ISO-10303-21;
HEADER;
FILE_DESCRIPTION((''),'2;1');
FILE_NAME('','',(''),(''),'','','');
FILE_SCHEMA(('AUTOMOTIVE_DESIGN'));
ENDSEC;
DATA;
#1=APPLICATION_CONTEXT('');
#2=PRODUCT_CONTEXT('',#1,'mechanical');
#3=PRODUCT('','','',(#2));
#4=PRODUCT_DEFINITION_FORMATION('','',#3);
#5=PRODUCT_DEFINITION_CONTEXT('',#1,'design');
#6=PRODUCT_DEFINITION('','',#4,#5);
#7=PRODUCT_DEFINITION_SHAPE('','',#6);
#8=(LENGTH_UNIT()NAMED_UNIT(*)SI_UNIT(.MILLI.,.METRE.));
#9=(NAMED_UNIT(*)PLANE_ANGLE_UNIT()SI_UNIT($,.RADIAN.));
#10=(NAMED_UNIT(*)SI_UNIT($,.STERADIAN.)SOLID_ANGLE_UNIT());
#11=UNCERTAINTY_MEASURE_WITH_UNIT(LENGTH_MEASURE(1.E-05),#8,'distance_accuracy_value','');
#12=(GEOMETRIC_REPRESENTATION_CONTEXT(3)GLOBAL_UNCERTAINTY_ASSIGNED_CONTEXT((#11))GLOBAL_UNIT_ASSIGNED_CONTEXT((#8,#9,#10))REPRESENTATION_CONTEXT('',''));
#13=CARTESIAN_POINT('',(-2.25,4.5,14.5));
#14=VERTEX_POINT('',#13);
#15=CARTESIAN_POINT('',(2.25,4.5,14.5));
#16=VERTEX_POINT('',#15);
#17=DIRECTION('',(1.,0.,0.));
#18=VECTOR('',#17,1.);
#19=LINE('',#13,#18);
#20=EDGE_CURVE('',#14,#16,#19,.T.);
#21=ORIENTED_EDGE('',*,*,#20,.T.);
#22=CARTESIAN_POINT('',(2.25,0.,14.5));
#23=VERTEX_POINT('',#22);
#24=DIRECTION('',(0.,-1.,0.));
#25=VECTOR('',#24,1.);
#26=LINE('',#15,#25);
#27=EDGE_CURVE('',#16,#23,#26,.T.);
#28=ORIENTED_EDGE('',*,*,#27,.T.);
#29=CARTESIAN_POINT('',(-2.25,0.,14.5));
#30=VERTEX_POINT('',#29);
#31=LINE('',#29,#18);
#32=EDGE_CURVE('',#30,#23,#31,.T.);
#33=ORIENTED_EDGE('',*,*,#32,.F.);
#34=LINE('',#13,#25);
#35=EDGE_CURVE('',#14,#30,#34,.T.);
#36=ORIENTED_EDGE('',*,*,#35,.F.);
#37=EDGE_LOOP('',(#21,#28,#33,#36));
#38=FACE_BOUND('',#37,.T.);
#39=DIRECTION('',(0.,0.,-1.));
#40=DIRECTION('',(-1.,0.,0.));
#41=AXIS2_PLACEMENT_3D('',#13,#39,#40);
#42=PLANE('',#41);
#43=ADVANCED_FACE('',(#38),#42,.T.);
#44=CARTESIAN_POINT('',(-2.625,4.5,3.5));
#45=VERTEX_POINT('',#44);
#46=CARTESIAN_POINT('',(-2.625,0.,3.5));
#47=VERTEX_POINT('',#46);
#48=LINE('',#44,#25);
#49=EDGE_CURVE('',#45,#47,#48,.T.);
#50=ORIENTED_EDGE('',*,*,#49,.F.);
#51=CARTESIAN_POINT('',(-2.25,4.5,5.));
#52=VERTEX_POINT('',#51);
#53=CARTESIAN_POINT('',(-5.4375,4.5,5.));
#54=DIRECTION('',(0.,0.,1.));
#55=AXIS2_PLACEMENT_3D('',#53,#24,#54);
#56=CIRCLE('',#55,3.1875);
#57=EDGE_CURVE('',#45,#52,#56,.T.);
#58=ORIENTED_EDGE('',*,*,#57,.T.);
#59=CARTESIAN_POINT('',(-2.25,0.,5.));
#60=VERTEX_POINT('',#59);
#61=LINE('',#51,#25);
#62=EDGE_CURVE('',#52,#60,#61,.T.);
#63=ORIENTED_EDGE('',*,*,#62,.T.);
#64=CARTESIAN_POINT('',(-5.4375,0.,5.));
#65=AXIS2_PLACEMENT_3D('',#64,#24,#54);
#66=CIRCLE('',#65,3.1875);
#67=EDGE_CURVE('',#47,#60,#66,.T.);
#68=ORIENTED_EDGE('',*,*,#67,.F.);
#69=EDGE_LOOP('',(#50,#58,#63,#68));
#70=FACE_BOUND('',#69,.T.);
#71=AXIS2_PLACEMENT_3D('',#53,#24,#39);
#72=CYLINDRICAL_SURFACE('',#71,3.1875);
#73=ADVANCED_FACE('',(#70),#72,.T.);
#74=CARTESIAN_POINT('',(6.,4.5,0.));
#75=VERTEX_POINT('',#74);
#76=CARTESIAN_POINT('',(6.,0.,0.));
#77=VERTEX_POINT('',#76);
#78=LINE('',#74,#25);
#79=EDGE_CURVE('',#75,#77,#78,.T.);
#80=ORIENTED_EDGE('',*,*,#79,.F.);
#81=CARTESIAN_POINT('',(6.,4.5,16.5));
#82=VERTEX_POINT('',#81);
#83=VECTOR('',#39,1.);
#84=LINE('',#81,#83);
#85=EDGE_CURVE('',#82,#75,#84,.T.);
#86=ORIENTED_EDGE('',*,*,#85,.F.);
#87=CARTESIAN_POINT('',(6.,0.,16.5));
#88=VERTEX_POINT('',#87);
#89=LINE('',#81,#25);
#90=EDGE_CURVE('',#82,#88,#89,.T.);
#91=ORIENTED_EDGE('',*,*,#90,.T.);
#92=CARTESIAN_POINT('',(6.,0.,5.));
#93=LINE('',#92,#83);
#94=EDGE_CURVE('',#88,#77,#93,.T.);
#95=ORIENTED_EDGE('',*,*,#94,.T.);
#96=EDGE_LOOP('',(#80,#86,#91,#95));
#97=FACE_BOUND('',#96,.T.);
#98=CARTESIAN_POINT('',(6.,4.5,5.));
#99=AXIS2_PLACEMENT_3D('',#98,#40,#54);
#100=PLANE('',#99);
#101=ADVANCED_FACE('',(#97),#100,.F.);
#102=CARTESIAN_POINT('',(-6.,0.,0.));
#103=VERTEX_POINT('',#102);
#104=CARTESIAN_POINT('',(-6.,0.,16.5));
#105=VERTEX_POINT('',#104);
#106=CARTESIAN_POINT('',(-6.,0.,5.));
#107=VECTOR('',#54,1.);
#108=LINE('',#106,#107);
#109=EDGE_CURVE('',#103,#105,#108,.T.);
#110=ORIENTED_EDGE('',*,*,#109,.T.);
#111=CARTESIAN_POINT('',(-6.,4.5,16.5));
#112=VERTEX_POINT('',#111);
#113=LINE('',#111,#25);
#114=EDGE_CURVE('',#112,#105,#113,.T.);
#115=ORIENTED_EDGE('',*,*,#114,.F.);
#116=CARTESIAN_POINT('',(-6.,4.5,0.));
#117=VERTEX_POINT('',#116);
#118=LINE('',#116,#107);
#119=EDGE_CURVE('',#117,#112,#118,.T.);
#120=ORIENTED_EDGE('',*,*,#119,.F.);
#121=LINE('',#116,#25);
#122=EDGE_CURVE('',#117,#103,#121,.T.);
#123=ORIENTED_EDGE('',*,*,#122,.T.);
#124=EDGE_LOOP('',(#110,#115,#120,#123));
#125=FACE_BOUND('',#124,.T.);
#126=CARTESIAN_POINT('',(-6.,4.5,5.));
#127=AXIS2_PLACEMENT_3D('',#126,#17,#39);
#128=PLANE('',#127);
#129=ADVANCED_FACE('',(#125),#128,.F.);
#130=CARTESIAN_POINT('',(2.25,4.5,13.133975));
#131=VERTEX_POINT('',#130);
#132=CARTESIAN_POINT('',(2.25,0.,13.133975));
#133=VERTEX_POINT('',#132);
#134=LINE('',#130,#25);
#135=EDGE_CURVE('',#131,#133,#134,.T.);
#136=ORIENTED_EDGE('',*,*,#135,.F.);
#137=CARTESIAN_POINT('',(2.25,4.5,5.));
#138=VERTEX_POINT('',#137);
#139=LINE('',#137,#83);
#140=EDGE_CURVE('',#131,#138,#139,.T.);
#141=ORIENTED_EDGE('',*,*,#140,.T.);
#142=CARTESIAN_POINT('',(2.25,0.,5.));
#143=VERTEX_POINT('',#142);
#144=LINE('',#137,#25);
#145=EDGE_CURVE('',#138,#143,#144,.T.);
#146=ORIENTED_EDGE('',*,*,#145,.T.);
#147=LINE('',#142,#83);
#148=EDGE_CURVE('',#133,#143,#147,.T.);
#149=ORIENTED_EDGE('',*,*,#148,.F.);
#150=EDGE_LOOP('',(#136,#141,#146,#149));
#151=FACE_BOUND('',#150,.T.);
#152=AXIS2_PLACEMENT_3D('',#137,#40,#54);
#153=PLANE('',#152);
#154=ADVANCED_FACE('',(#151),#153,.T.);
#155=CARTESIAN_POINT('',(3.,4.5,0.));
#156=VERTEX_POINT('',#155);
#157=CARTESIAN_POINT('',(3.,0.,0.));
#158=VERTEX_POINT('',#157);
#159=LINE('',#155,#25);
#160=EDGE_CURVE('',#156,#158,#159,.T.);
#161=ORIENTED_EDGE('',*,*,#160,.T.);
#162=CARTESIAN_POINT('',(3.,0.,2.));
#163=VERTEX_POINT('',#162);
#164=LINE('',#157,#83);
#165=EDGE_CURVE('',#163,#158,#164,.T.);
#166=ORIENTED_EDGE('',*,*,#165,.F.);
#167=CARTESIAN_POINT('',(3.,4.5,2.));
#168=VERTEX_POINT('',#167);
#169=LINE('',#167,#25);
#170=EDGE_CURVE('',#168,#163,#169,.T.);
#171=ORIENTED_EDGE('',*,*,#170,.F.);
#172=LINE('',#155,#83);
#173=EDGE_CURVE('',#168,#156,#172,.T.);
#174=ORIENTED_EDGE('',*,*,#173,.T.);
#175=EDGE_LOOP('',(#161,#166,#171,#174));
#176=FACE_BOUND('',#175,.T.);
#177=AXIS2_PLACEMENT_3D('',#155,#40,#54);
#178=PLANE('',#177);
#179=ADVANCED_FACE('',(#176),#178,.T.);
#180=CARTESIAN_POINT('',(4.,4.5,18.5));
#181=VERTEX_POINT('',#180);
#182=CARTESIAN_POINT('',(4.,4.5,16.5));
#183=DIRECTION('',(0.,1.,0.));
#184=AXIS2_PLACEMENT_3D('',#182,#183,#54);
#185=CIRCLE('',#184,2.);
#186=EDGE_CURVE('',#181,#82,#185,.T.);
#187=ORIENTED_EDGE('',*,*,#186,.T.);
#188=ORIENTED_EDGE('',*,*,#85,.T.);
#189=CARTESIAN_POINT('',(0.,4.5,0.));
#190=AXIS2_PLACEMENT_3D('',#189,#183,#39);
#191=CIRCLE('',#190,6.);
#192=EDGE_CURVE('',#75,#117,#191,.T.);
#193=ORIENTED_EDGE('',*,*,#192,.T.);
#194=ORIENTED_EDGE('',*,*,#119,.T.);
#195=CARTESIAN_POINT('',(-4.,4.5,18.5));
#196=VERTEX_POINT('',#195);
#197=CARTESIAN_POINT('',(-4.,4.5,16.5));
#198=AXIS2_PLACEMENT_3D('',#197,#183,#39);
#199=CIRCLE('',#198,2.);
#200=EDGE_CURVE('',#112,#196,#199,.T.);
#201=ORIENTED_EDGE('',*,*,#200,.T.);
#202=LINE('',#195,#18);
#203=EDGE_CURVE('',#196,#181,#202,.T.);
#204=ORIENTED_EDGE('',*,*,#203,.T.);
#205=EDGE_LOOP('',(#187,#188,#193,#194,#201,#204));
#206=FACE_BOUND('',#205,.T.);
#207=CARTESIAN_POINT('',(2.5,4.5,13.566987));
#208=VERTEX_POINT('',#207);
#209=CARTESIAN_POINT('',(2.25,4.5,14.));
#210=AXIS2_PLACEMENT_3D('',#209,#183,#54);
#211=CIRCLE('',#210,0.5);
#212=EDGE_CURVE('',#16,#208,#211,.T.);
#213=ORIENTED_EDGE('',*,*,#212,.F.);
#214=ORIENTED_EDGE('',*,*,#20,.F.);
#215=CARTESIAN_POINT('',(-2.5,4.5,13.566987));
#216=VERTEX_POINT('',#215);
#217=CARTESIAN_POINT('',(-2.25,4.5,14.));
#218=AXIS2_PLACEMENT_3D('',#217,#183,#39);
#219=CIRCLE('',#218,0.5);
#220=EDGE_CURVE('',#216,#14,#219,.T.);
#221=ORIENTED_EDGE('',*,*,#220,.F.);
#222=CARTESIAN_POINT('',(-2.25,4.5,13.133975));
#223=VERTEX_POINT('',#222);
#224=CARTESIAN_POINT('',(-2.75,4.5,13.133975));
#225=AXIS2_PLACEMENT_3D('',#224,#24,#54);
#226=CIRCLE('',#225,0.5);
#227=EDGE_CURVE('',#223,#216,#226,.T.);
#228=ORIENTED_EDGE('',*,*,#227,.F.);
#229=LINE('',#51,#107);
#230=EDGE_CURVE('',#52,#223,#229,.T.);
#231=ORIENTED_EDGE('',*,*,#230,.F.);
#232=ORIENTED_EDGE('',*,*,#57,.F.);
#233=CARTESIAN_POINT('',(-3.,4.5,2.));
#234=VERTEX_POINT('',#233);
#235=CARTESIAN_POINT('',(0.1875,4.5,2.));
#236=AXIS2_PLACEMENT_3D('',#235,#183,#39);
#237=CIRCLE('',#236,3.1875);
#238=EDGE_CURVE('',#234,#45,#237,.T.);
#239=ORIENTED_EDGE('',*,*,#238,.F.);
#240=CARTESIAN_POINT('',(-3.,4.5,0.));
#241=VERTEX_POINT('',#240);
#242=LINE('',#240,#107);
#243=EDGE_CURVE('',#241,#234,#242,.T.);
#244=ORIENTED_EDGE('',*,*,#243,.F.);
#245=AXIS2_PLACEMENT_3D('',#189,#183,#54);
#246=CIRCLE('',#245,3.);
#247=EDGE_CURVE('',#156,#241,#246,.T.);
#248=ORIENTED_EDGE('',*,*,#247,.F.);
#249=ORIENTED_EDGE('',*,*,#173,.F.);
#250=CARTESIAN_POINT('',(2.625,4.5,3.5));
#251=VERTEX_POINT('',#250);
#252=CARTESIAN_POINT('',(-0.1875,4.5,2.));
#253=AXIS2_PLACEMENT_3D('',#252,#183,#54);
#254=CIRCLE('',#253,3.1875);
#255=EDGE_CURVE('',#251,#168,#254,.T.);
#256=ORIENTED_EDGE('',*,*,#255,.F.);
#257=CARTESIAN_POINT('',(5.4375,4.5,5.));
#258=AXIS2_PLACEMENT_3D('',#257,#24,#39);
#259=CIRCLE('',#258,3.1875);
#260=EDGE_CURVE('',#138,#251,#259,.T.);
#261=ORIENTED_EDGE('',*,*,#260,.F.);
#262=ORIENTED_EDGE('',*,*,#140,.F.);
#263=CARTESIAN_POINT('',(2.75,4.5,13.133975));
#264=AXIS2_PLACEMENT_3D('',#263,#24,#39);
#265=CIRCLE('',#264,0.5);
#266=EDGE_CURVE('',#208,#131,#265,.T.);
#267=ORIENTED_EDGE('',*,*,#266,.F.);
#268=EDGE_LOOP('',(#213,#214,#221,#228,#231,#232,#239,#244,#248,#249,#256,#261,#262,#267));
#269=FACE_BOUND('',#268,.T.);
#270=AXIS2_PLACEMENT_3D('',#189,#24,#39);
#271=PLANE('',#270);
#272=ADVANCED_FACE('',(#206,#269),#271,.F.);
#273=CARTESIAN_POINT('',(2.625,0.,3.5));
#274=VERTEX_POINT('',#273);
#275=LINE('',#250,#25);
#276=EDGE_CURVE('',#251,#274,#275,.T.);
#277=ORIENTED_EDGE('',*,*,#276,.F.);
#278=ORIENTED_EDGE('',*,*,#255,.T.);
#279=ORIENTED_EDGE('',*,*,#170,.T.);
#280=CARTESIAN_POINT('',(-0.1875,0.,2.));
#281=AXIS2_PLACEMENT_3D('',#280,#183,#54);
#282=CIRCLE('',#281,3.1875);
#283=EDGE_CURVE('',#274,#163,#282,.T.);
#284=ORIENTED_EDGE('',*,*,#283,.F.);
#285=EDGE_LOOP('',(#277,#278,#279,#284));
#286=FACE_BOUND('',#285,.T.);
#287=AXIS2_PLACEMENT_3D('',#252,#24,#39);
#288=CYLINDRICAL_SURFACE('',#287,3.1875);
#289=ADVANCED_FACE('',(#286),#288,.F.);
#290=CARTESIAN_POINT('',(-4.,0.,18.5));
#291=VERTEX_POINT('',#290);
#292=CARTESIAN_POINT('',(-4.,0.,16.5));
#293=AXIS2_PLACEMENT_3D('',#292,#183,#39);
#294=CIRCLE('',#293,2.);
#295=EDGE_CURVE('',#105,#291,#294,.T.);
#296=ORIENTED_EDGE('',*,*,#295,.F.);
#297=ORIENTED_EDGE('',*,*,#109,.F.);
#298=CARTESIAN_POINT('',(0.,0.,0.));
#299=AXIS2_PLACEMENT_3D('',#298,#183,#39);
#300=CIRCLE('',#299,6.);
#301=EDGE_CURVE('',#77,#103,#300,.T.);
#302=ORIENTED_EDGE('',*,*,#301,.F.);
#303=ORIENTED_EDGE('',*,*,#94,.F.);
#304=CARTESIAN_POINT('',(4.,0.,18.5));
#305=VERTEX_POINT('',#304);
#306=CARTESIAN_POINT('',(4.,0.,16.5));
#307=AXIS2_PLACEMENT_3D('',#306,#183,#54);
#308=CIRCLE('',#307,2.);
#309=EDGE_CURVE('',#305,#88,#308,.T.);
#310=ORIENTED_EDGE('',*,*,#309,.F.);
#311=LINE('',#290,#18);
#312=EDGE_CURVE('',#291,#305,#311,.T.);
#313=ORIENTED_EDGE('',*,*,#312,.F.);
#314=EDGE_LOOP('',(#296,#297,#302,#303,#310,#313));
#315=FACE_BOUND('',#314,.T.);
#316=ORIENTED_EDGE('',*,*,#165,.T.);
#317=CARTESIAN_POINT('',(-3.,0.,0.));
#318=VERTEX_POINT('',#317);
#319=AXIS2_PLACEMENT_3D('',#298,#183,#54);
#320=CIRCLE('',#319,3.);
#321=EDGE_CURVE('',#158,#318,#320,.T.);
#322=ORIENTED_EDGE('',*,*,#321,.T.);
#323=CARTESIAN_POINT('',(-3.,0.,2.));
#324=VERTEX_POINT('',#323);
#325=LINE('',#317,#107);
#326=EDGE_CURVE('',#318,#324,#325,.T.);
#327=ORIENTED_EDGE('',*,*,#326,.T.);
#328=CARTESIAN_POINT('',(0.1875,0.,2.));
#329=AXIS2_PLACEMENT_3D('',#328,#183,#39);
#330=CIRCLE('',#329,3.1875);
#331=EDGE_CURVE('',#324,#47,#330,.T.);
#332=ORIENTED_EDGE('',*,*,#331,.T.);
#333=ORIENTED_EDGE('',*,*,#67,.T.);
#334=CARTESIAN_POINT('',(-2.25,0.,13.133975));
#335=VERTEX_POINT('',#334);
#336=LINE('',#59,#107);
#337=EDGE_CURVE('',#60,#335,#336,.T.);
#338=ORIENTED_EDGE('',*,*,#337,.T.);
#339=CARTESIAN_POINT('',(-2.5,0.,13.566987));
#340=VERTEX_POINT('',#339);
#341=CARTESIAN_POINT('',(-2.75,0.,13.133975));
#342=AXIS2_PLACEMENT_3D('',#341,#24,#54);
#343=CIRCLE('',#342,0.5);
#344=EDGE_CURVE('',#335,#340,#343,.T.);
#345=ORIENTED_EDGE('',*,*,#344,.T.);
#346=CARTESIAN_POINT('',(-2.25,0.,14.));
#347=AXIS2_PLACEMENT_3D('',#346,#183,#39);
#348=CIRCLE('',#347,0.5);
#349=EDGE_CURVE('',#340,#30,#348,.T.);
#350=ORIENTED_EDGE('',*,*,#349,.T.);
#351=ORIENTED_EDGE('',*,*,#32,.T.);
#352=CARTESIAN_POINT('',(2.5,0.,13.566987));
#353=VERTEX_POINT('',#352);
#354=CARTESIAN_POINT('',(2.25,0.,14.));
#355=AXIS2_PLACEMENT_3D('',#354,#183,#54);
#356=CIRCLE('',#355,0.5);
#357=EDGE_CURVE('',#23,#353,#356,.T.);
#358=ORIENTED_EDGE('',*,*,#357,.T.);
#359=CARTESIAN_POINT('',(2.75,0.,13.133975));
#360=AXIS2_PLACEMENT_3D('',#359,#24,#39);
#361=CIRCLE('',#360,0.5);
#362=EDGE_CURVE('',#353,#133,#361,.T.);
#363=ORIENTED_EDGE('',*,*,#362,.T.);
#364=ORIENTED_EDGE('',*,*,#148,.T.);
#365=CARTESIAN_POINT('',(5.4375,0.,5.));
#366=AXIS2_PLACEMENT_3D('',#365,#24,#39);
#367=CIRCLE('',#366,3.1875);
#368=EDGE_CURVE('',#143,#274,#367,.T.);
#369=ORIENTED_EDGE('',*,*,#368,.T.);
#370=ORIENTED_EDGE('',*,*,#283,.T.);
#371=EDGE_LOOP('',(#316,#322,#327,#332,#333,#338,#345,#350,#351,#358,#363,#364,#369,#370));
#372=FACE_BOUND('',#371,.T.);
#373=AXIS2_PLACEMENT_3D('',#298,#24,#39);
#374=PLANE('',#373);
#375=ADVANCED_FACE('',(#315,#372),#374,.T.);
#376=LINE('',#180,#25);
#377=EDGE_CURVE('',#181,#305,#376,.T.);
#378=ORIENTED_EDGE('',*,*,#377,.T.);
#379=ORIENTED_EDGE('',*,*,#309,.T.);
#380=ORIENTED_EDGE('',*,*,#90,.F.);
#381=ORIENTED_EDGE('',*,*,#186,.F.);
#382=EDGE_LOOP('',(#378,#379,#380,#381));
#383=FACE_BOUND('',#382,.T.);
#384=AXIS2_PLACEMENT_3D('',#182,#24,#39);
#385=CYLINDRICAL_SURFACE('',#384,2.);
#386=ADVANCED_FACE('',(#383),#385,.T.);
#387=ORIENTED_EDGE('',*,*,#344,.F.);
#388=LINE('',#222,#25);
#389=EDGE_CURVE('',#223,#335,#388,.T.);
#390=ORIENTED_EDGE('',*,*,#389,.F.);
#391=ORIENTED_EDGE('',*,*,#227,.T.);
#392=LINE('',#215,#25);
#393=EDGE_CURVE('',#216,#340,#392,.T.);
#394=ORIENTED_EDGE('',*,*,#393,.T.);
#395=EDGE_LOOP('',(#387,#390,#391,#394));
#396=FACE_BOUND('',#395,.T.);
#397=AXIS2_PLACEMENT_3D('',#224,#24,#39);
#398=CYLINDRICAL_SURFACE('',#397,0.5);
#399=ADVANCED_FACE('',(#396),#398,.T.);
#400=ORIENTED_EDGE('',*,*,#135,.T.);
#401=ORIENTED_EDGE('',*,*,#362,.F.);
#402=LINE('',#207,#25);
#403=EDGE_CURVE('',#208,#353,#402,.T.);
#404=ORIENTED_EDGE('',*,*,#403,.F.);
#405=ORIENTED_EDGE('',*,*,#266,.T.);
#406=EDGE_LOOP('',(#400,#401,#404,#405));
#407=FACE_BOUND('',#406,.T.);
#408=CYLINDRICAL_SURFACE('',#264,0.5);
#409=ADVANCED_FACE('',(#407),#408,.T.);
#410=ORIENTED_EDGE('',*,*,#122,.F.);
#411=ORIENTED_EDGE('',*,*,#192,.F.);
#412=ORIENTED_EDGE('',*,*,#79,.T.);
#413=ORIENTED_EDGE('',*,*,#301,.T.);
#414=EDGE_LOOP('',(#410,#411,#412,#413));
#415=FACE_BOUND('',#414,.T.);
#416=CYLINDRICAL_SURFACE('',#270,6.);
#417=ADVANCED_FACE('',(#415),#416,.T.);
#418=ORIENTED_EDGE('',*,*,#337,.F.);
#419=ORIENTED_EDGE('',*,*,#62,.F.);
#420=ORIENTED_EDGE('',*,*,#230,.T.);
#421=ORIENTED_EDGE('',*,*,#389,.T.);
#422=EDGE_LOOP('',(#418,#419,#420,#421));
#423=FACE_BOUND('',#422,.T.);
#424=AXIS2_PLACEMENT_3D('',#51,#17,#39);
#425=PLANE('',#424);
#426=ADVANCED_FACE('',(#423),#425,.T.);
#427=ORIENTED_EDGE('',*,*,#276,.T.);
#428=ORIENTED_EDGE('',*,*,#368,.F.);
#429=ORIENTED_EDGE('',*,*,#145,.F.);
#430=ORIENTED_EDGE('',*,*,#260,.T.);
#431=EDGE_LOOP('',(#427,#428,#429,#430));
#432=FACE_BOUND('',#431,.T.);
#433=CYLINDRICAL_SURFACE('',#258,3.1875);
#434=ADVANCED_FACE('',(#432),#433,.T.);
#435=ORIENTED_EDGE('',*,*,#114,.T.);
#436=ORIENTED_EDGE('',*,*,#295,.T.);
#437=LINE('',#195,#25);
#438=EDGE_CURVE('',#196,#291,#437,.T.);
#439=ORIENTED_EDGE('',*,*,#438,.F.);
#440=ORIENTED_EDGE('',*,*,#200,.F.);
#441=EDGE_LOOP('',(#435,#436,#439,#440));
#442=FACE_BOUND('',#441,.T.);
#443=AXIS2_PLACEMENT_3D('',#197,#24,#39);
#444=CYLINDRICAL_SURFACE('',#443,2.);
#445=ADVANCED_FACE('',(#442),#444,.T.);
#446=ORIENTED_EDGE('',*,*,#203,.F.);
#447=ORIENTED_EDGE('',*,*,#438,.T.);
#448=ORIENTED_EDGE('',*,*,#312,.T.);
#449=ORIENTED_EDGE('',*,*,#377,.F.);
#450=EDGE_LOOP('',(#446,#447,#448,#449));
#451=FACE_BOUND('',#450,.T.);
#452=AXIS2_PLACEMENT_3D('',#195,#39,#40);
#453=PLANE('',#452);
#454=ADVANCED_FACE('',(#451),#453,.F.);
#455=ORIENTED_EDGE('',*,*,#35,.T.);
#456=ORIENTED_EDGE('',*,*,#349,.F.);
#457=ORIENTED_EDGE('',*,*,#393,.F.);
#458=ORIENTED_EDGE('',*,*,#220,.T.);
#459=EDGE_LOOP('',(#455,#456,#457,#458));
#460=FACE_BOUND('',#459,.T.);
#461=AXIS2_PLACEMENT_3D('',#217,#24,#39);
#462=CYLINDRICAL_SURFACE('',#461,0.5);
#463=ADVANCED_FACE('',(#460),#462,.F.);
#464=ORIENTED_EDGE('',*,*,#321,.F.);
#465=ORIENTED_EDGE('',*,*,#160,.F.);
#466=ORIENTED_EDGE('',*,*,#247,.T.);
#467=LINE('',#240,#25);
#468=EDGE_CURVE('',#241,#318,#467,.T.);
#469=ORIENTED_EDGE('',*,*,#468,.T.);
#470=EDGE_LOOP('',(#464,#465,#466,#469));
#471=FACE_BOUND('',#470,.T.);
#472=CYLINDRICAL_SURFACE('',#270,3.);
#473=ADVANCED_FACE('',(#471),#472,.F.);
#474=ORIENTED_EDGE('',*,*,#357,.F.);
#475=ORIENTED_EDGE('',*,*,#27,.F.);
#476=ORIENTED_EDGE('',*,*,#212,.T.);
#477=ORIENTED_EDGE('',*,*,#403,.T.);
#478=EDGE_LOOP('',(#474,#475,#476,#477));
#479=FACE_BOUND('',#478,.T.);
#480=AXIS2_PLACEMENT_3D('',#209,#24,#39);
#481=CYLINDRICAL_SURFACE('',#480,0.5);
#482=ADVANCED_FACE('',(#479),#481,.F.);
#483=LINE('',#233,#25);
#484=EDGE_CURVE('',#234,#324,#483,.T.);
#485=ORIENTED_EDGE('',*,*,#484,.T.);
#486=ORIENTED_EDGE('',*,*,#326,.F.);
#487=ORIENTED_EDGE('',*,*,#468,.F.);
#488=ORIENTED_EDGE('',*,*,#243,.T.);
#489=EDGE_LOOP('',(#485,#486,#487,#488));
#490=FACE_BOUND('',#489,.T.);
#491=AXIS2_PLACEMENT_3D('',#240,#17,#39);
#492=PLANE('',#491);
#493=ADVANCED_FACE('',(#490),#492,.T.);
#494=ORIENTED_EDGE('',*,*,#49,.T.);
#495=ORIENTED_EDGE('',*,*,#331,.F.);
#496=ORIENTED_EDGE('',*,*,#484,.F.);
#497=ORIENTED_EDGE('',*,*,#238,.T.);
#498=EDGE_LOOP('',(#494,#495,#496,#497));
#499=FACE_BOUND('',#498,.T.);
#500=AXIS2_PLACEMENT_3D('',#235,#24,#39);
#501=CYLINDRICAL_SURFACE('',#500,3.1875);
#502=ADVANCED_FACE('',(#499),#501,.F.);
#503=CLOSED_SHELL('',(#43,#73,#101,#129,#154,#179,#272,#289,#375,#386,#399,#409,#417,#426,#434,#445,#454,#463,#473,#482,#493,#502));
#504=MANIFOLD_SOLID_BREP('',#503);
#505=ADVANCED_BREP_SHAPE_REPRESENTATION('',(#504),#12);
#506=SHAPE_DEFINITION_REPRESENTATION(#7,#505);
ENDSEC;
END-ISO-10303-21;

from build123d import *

# Parameters (mm, degrees)
BOSS_EXTRUDE1_DEPTH = 4.5


with BuildPart() as part:
    # Sketch1 → Boss-Extrude1 (new body)
    with BuildSketch(Plane(origin=(0, 0, 0), x_dir=(1, 0, 0), z_dir=(0, 1, 0))):
        with BuildLine():
            Line((-6, 0), (-6, -5))
            Line((-6, -5), (-6, -16.5))
            ThreePointArc((-6, -16.5), (-5.414213562, -17.914213562), (-4, -18.5))
            Line((-4, -18.5), (4, -18.5))
            ThreePointArc((4, -18.5), (5.414213562, -17.914213562), (6, -16.5))
            Line((6, -16.5), (6, -5))
            Line((6, -5), (6, 0))
            ThreePointArc((6, 0), (0, 6), (-6, 0))
        make_face()
        with BuildLine():
            Line((3, 0), (3, -2))
            ThreePointArc((3, -2), (2.904829219, -2.773082305), (2.625, -3.5))
            ThreePointArc((2.625, -3.5), (2.345170781, -4.226917695), (2.25, -5))
            Line((2.25, -5), (2.25, -13.133974596))
            ThreePointArc((2.25, -13.133974596), (2.316987298, -13.383974596), (2.5, -13.566987298))
            ThreePointArc((2.5, -13.566987298), (2.732962913, -14.129409523), (2.25, -14.5))
            Line((2.25, -14.5), (-2.25, -14.5))
            ThreePointArc((-2.25, -14.5), (-2.732962913, -14.129409523), (-2.5, -13.566987298))
            ThreePointArc((-2.5, -13.566987298), (-2.316987298, -13.383974596), (-2.25, -13.133974596))
            Line((-2.25, -13.133974596), (-2.25, -5))
            ThreePointArc((-2.25, -5), (-2.345170781, -4.226917695), (-2.625, -3.5))
            ThreePointArc((-2.625, -3.5), (-2.904829219, -2.773082305), (-3, -2))
            Line((-3, -2), (-3, 0))
            ThreePointArc((-3, 0), (0, 3), (3, 0))
        make_face(mode=Mode.SUBTRACT)
    extrude(amount=BOSS_EXTRUDE1_DEPTH)


solid = part.part
